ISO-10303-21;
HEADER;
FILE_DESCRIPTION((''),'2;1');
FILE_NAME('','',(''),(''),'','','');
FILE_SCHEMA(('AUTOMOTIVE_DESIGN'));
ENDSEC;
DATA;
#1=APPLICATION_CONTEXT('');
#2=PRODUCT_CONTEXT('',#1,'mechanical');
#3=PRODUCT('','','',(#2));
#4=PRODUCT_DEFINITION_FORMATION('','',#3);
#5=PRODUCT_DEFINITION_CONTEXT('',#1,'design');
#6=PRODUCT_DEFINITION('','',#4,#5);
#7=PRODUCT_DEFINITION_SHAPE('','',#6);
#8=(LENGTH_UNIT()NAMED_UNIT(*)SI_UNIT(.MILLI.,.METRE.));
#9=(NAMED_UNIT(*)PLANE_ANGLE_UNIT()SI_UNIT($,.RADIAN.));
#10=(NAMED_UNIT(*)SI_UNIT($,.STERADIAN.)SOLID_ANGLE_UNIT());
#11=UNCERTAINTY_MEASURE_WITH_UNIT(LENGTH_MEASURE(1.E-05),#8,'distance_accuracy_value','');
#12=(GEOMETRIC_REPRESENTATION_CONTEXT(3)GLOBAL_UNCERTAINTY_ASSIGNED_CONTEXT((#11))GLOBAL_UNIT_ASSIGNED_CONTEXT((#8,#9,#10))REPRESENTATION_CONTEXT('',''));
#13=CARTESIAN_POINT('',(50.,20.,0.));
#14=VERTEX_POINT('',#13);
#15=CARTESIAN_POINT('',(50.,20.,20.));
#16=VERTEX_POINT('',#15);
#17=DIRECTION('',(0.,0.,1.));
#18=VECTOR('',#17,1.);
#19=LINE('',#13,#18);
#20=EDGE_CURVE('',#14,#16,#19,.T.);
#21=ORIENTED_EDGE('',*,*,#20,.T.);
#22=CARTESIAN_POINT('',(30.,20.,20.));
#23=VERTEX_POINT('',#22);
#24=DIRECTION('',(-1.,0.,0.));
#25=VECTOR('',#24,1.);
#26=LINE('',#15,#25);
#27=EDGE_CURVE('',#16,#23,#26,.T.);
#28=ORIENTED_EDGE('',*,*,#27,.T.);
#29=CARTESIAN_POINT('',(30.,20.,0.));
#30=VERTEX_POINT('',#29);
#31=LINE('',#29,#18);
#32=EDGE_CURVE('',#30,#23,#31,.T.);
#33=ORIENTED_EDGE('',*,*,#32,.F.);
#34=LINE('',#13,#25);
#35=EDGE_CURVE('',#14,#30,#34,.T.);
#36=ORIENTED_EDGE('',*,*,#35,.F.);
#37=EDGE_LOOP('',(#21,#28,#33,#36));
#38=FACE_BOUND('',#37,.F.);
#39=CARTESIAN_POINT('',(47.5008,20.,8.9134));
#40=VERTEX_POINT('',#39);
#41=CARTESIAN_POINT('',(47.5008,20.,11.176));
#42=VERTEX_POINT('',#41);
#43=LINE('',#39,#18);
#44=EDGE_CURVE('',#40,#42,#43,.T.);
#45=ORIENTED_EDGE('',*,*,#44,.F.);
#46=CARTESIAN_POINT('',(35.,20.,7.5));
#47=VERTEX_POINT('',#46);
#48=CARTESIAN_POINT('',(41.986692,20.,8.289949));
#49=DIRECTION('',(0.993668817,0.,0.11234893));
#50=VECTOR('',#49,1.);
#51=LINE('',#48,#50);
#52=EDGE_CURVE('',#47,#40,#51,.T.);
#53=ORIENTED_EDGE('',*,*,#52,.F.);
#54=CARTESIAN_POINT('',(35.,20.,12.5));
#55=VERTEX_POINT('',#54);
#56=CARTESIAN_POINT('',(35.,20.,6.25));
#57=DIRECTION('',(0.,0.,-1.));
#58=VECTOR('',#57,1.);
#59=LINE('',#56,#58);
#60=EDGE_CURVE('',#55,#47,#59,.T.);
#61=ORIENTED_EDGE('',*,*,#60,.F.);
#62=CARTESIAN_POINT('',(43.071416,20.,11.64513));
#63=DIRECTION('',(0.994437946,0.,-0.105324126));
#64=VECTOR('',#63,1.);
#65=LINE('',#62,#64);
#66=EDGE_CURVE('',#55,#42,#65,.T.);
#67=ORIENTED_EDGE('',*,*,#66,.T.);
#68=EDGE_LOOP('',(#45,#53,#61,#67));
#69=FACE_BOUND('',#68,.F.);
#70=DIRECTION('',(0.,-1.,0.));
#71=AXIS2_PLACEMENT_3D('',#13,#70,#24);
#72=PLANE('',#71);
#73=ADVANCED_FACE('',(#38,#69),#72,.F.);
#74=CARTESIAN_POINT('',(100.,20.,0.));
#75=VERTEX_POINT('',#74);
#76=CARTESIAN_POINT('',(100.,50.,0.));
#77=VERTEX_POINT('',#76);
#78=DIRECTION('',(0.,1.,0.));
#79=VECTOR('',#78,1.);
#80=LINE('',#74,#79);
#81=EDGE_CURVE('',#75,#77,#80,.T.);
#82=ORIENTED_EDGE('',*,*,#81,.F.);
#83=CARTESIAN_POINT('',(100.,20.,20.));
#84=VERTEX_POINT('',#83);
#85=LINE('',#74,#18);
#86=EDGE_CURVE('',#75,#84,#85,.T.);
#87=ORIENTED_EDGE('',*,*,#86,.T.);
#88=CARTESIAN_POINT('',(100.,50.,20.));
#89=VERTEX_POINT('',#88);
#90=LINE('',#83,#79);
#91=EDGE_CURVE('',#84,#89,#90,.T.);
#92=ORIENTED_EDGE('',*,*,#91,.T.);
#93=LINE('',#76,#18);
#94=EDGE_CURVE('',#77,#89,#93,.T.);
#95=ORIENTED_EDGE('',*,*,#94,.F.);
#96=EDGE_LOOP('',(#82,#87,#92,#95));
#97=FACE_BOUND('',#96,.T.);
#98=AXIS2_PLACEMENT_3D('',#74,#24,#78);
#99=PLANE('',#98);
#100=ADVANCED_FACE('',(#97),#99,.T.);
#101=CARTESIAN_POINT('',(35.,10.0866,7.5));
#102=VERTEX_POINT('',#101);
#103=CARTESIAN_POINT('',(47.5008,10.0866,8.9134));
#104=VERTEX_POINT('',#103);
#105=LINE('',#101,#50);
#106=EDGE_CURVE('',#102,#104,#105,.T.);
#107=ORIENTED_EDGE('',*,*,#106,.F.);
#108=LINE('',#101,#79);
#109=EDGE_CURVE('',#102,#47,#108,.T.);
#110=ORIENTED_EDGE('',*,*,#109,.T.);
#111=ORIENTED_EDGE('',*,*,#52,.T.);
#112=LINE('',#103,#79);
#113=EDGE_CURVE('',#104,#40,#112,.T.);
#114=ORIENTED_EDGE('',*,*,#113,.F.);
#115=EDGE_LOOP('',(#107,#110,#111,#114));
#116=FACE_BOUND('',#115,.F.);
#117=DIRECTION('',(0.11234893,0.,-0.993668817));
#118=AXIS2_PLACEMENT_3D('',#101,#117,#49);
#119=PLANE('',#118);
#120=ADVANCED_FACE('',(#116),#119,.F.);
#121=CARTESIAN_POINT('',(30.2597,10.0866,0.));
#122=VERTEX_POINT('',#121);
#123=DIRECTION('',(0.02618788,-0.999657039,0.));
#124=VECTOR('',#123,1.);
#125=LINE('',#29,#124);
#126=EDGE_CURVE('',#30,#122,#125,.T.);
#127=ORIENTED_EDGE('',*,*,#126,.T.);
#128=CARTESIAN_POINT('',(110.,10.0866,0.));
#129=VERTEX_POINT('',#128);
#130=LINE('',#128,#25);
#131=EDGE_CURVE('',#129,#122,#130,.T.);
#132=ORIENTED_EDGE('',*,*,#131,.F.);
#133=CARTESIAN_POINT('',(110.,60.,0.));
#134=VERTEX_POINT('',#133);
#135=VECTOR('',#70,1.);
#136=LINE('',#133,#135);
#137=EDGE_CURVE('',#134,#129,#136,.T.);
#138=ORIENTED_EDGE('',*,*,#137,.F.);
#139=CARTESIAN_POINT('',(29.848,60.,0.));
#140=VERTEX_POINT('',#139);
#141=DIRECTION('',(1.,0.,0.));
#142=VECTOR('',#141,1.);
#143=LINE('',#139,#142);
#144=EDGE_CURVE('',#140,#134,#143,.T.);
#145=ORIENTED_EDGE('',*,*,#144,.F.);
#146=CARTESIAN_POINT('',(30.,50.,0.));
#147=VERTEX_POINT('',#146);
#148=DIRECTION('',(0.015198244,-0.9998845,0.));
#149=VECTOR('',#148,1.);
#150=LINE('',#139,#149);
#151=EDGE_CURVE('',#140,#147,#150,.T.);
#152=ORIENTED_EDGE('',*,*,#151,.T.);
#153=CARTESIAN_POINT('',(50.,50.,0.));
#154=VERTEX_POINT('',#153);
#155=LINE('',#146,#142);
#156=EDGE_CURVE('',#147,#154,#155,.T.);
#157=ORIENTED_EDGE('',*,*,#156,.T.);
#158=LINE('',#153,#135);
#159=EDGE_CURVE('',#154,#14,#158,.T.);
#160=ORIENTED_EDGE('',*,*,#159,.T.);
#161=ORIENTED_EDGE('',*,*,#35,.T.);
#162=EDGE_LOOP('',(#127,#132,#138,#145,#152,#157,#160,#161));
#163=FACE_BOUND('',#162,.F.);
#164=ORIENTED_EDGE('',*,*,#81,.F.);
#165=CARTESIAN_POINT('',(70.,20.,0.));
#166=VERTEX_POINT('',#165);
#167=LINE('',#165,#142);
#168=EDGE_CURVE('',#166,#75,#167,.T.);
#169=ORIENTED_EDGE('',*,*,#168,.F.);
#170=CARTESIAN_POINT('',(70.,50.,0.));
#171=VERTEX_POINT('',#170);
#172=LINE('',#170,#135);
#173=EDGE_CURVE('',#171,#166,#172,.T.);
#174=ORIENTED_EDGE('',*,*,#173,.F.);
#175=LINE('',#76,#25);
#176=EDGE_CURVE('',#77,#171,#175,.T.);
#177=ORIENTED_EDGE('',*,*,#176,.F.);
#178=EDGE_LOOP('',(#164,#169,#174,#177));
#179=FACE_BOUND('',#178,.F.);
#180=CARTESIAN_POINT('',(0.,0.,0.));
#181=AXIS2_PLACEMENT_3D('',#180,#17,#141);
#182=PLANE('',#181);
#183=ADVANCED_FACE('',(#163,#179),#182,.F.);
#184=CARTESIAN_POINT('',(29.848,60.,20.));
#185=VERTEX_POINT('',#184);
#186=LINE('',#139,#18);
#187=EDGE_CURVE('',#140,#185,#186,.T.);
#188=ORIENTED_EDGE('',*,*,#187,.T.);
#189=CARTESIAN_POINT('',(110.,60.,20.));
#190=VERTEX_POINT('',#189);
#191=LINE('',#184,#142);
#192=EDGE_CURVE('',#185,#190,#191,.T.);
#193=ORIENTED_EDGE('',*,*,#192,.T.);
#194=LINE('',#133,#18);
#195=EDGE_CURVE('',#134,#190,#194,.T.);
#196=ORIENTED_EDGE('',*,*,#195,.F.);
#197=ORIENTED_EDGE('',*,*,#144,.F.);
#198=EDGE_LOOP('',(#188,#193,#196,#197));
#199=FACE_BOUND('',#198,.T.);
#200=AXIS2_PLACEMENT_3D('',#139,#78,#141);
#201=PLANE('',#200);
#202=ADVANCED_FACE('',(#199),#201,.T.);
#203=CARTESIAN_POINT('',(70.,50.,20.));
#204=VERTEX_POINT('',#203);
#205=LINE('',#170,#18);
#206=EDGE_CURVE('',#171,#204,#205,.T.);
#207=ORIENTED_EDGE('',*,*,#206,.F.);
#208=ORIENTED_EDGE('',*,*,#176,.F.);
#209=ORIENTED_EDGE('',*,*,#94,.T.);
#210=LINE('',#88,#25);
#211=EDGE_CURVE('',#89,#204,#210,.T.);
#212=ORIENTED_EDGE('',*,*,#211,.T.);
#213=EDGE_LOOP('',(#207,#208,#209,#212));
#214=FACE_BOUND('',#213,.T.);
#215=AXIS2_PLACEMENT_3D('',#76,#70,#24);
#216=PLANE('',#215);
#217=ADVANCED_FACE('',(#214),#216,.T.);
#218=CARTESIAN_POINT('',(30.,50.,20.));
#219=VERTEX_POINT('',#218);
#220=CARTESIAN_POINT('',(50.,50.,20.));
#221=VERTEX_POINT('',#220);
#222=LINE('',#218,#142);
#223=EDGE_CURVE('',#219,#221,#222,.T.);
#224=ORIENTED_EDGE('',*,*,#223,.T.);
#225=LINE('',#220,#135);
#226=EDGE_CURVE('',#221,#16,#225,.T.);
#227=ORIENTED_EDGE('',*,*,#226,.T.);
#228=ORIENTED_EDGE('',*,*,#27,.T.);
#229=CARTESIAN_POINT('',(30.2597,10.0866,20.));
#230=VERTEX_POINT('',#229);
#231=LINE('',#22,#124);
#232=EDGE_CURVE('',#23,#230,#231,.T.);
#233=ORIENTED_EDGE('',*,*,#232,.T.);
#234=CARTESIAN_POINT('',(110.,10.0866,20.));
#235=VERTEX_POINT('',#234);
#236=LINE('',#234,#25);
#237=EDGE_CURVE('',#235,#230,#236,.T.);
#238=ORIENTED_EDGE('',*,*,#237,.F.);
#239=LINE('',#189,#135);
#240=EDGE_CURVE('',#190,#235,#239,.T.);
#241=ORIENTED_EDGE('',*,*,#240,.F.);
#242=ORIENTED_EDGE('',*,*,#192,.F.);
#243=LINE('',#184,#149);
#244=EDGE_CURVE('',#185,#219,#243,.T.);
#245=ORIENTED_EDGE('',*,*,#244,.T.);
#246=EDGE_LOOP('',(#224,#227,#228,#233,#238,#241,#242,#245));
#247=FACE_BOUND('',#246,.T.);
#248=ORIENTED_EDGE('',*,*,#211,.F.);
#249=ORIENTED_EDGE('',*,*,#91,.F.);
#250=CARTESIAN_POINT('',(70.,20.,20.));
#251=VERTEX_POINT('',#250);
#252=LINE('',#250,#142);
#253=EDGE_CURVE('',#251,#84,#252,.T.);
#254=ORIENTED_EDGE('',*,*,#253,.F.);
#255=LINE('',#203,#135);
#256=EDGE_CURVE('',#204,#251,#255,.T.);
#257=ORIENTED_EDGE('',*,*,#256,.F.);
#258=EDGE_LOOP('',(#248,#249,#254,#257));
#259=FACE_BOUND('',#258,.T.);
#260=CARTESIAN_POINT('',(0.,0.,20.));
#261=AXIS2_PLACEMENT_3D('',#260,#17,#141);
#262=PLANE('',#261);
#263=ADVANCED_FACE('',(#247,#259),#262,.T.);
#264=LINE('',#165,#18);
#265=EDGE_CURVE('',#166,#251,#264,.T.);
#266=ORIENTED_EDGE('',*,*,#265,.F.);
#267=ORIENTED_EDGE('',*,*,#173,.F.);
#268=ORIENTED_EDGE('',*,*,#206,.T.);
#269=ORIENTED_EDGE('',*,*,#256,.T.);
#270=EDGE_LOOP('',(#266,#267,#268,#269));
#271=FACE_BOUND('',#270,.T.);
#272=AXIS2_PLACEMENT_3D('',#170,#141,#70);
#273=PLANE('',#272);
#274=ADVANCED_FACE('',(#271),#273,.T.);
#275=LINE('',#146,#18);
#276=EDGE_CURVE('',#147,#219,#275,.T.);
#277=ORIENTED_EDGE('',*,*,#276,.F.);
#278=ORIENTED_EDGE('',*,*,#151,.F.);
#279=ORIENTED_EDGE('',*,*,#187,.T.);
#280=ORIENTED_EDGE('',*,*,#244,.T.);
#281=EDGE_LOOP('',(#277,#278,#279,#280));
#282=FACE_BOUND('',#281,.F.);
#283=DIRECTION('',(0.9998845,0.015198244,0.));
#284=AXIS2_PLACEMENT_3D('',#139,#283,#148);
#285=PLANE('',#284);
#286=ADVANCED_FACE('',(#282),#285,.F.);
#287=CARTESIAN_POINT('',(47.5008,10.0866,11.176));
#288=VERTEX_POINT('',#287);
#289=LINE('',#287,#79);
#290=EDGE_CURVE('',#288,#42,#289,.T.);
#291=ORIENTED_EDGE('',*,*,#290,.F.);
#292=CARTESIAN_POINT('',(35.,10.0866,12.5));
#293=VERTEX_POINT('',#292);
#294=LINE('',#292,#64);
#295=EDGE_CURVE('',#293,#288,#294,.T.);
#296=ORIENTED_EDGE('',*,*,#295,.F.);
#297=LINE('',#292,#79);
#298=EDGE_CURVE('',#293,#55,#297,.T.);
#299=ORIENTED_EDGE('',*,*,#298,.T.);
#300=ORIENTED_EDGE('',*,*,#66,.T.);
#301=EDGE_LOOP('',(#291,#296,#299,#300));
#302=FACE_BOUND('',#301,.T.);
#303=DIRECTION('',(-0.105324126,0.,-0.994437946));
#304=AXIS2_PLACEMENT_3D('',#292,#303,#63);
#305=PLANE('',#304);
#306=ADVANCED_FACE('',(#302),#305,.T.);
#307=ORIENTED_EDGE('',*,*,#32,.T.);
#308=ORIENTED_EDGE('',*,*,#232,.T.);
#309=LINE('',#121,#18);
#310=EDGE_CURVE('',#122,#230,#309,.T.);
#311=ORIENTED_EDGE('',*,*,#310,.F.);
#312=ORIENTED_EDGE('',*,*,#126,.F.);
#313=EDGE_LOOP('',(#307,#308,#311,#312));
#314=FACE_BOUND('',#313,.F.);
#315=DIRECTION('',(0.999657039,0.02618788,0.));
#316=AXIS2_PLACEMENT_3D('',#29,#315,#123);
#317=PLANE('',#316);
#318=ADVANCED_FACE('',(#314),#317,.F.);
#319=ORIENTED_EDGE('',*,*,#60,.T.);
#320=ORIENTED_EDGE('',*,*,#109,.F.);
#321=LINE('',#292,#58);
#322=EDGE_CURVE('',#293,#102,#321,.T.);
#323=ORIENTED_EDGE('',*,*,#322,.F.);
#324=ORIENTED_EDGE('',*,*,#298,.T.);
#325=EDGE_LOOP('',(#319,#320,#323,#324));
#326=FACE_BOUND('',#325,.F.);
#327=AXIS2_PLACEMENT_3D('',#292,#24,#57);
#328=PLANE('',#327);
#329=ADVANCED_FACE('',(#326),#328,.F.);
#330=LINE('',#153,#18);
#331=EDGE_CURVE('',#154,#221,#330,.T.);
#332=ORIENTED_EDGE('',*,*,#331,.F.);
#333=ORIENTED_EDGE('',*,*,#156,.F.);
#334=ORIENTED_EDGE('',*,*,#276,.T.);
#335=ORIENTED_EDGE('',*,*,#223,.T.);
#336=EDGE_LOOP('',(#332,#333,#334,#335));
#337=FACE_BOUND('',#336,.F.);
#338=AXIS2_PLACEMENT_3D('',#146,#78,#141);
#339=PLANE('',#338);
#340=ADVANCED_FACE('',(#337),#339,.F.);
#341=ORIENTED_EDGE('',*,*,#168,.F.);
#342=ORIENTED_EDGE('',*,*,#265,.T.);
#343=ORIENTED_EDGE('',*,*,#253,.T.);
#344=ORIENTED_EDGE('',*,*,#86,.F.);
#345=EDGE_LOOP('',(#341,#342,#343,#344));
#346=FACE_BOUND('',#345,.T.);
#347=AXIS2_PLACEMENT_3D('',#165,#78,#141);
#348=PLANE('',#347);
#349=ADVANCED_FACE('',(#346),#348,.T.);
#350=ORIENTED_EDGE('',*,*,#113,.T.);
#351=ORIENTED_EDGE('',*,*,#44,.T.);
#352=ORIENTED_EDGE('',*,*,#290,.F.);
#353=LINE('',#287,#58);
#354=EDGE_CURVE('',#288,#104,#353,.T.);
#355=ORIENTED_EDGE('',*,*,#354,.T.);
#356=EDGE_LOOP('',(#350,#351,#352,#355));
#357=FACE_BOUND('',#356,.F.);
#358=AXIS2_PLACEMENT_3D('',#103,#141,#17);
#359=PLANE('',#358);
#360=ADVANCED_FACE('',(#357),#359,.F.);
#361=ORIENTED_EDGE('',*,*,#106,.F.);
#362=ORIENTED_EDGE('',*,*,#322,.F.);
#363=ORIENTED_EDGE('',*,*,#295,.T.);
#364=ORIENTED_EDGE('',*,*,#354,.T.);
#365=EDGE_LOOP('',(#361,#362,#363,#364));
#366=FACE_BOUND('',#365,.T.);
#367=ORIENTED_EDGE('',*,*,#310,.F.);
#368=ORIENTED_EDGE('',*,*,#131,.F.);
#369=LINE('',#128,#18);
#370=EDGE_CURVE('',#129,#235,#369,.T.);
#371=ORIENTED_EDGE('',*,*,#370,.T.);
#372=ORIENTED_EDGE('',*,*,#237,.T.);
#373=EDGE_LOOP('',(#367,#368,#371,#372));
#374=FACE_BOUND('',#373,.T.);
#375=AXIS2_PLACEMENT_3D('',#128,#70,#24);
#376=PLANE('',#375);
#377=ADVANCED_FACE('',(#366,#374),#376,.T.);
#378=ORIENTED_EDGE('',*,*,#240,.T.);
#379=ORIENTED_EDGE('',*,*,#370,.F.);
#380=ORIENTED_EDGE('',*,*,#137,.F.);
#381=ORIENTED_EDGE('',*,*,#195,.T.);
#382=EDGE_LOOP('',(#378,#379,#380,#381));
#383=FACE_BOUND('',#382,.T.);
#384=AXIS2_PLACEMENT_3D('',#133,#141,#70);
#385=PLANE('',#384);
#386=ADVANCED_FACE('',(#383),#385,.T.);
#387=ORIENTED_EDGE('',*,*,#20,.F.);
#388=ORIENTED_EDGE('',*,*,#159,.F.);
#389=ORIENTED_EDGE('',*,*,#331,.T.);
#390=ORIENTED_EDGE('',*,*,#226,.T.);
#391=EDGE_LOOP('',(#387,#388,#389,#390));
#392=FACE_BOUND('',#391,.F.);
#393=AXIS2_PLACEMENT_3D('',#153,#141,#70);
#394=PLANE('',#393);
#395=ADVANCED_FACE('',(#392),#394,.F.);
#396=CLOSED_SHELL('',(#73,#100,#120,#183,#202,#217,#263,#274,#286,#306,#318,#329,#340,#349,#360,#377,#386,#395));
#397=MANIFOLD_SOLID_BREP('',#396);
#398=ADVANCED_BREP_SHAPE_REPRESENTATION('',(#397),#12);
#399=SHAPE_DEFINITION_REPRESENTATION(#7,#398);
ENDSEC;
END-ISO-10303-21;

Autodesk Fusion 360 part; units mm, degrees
sketch "Sketch1" plane through (0, 0, 0) normal (0, 0, 1) x (1, 0, 0)
  line L0 (29.848, 60) -> (110, 60)
  line L1 (110, 60) -> (110, 10.0866)
  line L2 (110, 10.0866) -> (30.2597, 10.0866)
  line L3 (100, 50) -> (70, 50)
  line L4 (70, 50) -> (70, 20)
  line L5 (70, 20) -> (100, 20)
  line L6 (100, 20) -> (100, 50)
  line L7 (30, 50) -> (50, 50)
  line L8 (50, 50) -> (50, 20)
  line L9 (50, 20) -> (30, 20)
  line L10 (29.848, 60) -> (30, 50)
  line L11 (30, 20) -> (30.2597, 10.0866)
extrude "Extrude1" add sketch "Sketch1" along normal blind 20
sketch "Sketch2" plane through (0, 10.0866, 0) normal (0, -1, 0) x (1, 0, 0)
  line L0 (30.2597, 0) -> (110, 0)
  line L1 (110, 0) -> (110, 20)
  line L2 (110, 20) -> (30.2597, 20)
  line L3 (30.2597, 20) -> (30.2597, 0)
  line L4 (47.5008, 8.9134) -> (47.5008, 11.176)
  line L5 (35, 12.5) -> (35, 7.5)
  line L6 (35, 7.5) -> (47.5008, 8.9134)
  line L7 (35, 12.5) -> (47.5008, 11.176)
  line L8 (47.6079, 8.9255) -> (47.5008, 9.8724)
extrude "Extrude2" cut sketch "Sketch2" against normal blind 11 contours L4 L5 L6 L7
